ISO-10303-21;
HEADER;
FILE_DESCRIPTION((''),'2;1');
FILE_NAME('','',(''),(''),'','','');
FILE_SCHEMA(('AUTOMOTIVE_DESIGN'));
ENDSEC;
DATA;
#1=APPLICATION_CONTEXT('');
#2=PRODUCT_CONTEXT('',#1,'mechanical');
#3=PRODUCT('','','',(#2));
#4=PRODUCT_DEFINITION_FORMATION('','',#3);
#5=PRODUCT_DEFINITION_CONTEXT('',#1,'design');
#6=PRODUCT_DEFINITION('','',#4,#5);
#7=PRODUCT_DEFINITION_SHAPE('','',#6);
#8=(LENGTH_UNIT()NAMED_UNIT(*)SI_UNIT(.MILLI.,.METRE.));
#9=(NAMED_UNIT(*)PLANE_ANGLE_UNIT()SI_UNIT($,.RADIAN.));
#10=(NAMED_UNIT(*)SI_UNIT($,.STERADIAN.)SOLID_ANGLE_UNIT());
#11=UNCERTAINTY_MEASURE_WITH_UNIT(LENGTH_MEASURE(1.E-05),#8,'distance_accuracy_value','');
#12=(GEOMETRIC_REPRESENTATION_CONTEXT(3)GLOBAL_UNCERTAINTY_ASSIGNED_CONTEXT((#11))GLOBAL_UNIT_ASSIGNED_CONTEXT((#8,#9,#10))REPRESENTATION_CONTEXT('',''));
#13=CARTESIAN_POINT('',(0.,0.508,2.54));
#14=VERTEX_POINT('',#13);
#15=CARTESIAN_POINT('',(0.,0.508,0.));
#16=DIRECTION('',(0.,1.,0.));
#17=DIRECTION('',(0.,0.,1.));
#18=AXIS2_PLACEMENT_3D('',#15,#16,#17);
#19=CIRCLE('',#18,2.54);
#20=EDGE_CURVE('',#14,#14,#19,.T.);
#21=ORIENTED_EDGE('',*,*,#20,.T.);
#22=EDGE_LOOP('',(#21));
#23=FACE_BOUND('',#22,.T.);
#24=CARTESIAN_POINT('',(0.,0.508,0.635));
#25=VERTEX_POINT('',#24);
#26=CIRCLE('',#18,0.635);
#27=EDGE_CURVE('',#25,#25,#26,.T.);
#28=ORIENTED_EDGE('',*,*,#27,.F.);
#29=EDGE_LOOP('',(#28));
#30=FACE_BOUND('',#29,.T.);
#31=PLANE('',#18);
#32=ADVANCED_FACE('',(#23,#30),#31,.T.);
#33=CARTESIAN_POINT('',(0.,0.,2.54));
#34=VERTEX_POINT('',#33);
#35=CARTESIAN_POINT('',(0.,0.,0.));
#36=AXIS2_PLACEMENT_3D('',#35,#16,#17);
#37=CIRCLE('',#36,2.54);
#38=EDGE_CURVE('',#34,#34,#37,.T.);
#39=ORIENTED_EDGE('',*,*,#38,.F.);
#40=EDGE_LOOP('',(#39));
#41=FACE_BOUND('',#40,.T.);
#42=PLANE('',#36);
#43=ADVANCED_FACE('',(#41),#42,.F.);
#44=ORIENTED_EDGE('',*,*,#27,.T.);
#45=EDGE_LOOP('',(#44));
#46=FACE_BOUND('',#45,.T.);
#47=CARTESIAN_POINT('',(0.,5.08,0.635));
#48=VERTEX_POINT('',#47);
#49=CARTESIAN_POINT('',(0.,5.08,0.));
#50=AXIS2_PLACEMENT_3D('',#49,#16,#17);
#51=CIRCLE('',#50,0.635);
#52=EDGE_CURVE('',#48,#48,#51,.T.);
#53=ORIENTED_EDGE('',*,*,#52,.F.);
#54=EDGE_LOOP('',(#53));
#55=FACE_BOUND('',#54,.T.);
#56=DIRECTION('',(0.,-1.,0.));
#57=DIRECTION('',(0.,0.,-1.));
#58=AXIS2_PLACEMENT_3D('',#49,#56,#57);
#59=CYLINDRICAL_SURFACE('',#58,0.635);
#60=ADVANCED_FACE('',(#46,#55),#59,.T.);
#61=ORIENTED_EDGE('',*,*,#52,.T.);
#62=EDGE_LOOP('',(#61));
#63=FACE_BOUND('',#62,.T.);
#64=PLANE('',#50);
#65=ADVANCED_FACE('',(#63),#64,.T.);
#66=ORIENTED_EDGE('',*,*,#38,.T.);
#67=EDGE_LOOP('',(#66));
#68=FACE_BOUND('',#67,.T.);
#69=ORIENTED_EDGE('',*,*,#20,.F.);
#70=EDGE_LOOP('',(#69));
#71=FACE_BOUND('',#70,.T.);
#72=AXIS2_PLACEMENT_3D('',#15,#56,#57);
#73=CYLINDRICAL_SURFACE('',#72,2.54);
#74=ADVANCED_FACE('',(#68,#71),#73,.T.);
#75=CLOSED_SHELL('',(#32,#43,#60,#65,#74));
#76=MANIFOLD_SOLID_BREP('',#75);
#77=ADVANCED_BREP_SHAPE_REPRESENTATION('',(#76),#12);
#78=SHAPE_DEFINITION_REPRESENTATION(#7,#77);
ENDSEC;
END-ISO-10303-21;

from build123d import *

# Parameters (mm, degrees)
CENTER_SHAFT_R          = 0.635
CENTER_SHAFT_EXTR_DEPTH = 5.08
TOP_LANDING_R           = 2.54
TOP_LANDING_EXTR_DEPTH  = 0.508


with BuildPart() as part:
    # Center Shaft → Center Shaft extr (new body)
    with BuildSketch(Plane(origin=(0, 0, 0), x_dir=(1, 0, 0), z_dir=(0, 1, 0))):
        Circle(CENTER_SHAFT_R)
    extrude(amount=CENTER_SHAFT_EXTR_DEPTH)

    # Top Landing → Top landing extr (add)
    with BuildSketch(Plane(origin=(0, 0, 0), x_dir=(1, 0, 0), z_dir=(0, 1, 0))):
        Circle(TOP_LANDING_R)
    extrude(amount=TOP_LANDING_EXTR_DEPTH)


solid = part.part
